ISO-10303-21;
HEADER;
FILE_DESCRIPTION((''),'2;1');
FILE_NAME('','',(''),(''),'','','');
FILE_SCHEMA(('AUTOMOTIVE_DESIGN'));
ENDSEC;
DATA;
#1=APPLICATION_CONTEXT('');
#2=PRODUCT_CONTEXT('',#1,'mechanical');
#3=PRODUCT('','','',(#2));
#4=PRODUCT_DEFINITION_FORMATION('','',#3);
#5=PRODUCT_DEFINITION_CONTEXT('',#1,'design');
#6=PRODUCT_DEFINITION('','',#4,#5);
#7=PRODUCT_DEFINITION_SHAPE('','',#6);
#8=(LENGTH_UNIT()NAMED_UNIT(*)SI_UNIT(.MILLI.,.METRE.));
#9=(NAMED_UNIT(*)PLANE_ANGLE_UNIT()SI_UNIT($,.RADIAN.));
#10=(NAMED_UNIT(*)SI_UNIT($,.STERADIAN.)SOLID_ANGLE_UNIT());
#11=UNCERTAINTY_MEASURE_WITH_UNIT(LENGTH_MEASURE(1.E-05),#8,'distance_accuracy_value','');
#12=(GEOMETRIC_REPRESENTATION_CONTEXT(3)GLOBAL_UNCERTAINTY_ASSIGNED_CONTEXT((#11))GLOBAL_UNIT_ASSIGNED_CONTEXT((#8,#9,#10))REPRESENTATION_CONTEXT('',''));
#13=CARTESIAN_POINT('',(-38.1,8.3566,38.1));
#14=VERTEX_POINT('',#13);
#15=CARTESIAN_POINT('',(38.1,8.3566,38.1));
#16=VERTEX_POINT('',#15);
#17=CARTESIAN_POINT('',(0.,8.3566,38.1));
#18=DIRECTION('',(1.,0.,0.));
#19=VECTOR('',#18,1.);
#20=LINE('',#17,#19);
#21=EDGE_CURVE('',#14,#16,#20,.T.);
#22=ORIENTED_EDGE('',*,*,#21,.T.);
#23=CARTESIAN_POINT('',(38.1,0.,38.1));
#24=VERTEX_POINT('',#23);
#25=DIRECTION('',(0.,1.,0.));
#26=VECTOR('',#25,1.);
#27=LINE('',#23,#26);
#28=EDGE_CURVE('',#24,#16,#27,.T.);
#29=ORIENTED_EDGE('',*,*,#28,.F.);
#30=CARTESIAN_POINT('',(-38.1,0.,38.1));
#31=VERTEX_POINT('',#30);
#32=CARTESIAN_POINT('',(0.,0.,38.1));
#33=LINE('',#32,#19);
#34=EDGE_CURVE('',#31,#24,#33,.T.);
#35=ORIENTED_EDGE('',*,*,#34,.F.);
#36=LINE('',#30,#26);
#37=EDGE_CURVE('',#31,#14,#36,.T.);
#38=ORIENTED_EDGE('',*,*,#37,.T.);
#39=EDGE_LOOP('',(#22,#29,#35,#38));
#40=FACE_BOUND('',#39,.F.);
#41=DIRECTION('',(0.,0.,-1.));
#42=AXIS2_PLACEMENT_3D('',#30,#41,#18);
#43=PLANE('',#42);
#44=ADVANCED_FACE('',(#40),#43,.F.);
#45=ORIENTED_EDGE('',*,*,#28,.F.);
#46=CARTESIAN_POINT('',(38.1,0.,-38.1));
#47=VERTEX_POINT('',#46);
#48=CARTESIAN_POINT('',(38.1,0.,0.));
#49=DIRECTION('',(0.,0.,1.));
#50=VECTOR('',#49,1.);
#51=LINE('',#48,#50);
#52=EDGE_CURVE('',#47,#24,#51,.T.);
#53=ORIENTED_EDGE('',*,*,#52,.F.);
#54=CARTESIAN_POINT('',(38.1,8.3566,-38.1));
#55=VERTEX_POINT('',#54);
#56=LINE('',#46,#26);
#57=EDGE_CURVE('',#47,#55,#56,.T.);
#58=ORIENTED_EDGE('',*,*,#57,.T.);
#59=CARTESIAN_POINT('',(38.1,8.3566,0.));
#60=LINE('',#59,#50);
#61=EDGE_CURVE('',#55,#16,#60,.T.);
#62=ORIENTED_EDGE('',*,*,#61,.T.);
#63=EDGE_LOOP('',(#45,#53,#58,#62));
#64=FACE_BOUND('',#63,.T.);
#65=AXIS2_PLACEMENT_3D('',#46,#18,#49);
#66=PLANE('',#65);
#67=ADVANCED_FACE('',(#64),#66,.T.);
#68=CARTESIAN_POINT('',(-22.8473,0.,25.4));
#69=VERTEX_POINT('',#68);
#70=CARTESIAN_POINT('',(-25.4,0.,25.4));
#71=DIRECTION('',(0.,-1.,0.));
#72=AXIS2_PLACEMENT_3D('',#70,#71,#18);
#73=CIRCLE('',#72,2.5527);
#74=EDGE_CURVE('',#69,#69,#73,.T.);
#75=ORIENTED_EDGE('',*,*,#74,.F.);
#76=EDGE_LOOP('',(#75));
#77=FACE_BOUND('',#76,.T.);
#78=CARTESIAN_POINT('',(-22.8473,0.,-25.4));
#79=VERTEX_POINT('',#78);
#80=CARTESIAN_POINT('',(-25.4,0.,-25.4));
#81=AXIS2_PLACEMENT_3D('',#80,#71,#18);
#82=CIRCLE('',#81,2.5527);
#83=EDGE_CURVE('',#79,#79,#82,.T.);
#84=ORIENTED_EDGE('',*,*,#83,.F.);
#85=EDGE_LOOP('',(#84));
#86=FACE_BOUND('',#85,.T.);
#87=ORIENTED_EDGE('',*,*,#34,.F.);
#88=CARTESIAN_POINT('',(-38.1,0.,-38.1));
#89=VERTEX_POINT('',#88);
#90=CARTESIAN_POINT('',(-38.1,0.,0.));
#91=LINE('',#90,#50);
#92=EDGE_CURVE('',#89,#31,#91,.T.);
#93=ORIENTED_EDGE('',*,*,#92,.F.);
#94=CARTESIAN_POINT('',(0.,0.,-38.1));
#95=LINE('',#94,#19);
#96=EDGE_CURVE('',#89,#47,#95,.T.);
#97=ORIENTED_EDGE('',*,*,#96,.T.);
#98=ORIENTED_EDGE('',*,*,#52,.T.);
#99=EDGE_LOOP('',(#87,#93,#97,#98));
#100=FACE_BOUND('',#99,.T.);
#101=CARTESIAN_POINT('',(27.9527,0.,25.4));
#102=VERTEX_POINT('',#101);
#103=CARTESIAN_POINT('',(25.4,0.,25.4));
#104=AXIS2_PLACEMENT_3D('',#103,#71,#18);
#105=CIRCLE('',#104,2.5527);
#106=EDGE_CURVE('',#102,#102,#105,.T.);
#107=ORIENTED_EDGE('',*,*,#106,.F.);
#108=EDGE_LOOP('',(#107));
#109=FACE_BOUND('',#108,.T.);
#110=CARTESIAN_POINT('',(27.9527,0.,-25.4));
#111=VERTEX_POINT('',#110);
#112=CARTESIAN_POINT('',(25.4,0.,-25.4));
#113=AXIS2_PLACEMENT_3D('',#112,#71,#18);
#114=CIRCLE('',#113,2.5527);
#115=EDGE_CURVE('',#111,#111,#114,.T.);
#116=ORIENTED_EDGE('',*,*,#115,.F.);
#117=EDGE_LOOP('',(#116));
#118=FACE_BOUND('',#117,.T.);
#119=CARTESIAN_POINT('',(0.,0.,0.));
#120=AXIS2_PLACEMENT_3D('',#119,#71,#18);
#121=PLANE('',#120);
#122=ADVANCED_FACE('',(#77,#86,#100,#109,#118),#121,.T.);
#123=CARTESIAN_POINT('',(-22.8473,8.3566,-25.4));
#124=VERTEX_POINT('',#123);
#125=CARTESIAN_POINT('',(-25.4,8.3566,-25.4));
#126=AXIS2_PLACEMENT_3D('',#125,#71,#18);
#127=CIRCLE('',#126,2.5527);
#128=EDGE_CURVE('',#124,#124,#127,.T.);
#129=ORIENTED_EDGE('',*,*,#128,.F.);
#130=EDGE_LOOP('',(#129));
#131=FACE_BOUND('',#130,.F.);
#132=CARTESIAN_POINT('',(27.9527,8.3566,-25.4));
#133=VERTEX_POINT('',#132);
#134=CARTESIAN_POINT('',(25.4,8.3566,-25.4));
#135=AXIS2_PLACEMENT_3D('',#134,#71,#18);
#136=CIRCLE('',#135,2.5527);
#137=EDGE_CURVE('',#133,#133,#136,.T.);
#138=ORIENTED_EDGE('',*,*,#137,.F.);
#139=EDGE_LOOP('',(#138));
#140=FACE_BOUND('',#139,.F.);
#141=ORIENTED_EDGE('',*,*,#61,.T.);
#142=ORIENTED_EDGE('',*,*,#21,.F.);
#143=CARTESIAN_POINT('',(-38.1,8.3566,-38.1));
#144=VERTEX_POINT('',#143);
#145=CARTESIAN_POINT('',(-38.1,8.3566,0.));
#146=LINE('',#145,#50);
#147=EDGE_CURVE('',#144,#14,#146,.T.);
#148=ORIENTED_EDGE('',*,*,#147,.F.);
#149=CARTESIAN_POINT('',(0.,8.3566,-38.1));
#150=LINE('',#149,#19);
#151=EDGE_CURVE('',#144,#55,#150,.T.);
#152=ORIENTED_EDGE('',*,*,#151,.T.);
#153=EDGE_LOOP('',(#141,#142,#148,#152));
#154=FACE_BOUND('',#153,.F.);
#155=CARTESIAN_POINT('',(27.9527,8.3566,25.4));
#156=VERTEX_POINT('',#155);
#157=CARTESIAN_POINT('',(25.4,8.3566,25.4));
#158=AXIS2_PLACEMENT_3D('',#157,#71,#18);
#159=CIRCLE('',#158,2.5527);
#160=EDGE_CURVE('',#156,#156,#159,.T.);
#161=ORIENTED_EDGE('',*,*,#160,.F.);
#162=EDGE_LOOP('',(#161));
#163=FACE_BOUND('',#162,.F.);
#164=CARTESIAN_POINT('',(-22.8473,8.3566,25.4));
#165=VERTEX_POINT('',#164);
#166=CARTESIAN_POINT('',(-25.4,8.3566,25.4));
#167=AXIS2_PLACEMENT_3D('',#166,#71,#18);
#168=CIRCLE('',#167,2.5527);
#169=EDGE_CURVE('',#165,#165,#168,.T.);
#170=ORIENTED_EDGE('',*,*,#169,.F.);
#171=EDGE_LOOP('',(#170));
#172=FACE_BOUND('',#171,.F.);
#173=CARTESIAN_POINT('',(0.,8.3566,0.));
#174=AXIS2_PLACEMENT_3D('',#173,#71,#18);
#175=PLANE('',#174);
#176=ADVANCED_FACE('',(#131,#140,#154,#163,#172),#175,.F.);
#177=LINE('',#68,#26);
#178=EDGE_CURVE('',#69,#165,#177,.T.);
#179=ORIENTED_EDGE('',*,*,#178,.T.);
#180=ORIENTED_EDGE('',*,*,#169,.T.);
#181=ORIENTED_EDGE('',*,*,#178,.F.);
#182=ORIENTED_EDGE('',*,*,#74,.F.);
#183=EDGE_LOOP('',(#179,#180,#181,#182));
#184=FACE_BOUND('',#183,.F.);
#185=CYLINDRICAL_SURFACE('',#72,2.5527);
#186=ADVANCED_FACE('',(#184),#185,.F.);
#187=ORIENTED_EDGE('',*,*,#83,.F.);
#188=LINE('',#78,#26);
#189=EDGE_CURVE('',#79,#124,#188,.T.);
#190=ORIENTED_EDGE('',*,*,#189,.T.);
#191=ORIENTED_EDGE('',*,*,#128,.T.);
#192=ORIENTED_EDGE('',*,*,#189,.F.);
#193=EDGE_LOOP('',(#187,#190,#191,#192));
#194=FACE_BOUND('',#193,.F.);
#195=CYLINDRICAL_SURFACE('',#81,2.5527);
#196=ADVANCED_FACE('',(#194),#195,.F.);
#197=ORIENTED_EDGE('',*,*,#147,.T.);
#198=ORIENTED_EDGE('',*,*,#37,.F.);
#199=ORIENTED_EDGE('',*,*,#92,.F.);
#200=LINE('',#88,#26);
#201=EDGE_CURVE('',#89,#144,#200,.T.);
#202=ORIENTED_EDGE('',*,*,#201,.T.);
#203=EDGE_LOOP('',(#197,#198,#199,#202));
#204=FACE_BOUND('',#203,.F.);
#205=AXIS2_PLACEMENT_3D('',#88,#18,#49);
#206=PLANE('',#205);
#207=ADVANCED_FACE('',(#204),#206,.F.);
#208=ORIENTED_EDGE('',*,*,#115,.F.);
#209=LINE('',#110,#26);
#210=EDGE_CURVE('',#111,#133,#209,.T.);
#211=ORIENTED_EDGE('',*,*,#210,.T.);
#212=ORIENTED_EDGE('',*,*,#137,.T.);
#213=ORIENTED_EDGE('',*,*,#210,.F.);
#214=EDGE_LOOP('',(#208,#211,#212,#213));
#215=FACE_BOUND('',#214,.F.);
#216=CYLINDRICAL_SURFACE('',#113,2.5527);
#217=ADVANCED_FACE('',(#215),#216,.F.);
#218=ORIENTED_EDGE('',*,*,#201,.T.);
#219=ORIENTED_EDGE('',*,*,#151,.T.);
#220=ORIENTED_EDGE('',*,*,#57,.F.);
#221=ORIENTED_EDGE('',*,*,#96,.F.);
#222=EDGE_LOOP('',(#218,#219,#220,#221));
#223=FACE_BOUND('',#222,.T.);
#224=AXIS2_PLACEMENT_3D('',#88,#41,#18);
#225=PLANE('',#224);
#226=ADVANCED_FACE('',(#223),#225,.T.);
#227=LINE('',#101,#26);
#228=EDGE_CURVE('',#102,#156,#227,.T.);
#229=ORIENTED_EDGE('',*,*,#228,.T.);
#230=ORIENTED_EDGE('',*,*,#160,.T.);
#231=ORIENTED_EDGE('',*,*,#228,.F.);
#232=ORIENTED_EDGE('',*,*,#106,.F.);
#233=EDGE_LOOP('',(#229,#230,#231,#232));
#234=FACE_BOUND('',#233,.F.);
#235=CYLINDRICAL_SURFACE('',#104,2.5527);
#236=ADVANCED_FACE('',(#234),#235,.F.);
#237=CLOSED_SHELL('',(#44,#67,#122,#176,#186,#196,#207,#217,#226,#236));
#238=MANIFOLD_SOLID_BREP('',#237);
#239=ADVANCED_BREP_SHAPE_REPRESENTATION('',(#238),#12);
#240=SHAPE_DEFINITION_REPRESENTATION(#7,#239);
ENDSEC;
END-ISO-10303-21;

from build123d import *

# Parameters (mm, degrees)
F0_W     = 76.2
F0_H     = 76.2
F1_DEPTH = 8.3566
F2_R     = 2.5527
F3_DEPTH = 8.3576


with BuildPart() as f1:
    # F0 (on Front) → F1 (new body)
    with BuildSketch(Plane.XZ):
        Rectangle(F0_W, F0_H)
    extrude(amount=-F1_DEPTH)

    # F2 (on Front) → F3 (cut, through all)
    with BuildSketch(Plane.XZ):
        with Locations((-25.4, 25.4)):
            Circle(F2_R)
        with Locations((25.4, 25.4)):
            Circle(F2_R)
        with Locations((-25.4, -25.4)):
            Circle(F2_R)
        with Locations((25.4, -25.4)):
            Circle(F2_R)
    extrude(amount=-F3_DEPTH, mode=Mode.SUBTRACT)


solid = f1.part
